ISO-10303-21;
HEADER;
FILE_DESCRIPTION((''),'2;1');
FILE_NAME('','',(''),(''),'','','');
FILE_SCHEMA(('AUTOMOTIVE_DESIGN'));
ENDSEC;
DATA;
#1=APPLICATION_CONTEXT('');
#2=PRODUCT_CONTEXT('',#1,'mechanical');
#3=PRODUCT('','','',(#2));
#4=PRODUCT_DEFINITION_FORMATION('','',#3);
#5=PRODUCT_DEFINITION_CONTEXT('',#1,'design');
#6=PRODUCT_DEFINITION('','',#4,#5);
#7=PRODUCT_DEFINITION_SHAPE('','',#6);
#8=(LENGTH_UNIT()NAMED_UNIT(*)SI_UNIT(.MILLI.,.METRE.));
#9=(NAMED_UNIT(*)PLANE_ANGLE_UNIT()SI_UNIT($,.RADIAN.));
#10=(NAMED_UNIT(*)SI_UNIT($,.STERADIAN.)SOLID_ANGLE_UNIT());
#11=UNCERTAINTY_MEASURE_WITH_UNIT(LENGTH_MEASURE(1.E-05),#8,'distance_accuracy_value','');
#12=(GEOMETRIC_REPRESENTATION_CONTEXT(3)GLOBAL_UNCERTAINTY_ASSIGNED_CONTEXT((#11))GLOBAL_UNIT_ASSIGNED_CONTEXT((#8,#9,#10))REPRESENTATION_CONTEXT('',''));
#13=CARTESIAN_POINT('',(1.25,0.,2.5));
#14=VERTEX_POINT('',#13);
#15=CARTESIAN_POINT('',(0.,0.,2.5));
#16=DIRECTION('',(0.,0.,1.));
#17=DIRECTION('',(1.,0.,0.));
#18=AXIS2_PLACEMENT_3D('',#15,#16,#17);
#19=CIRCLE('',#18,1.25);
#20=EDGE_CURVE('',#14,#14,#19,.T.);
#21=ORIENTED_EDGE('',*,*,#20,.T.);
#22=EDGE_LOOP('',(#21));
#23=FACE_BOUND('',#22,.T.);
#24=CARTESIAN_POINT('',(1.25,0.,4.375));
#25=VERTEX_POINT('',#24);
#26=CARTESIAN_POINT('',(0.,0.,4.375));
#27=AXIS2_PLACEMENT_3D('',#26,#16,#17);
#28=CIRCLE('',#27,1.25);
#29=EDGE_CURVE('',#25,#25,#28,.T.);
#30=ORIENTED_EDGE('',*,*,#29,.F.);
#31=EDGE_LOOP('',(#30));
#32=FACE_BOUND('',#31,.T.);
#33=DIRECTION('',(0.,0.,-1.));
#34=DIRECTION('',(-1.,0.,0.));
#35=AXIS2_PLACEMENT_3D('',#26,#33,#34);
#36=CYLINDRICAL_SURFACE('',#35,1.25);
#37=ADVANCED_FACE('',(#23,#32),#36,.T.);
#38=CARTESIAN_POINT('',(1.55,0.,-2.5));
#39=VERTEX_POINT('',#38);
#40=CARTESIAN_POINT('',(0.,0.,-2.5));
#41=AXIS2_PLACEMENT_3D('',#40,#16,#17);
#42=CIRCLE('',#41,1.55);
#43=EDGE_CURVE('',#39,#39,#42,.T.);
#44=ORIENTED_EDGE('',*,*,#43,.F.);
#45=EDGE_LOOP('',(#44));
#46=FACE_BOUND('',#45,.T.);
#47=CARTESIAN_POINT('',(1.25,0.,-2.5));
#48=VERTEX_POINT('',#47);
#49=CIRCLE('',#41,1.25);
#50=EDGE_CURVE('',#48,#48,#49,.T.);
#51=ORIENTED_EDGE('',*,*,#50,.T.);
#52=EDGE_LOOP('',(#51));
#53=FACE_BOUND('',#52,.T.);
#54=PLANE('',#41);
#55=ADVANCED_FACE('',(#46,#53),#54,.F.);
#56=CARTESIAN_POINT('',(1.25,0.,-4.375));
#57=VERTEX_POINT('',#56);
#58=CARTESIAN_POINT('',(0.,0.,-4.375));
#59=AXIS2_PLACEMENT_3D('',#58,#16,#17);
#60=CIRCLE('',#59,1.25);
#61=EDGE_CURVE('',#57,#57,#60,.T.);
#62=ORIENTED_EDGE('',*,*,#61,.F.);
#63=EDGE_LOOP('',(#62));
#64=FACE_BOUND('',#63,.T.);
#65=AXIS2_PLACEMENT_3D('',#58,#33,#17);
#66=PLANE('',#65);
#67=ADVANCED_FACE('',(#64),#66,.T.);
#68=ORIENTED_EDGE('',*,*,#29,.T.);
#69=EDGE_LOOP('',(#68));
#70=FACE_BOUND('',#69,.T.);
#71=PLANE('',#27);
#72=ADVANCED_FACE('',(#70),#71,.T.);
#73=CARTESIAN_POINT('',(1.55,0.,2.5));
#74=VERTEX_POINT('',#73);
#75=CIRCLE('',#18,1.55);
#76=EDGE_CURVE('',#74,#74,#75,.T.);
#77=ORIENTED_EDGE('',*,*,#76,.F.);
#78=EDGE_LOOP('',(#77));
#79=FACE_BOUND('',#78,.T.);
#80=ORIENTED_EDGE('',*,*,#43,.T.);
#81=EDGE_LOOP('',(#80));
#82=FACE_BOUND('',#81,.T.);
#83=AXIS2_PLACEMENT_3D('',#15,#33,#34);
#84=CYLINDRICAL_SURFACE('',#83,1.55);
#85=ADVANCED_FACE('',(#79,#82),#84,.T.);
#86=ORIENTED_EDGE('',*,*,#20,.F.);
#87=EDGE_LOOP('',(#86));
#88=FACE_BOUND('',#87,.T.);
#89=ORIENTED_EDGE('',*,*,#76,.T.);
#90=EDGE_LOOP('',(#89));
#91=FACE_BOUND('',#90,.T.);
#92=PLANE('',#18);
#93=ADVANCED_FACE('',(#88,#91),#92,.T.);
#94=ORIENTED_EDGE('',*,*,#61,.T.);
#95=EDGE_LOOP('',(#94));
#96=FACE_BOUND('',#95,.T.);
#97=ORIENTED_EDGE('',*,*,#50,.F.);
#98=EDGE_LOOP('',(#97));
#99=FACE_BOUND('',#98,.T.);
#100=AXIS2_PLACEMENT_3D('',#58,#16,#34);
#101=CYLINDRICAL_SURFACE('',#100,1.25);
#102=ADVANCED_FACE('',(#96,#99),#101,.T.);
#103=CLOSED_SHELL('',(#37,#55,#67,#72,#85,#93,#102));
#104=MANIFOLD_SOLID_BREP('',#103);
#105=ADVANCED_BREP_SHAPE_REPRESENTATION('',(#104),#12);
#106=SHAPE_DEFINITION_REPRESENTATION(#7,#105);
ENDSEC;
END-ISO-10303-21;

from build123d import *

# Parameters (mm, degrees)
SKETCH3_R           = 1.55
BOSS_EXTRUDE1_DEPTH = 2.5
SKETCH4_R           = 1.25
BOSS_EXTRUDE2_DEPTH = 1.875


with BuildPart() as part:
    # Sketch3 → Boss-Extrude1 (new body, symmetric)
    with BuildSketch(Plane.XY):
        Circle(SKETCH3_R)
    extrude(amount=BOSS_EXTRUDE1_DEPTH, both=True)

    # Sketch4 → Boss-Extrude2 (add)
    with BuildSketch(Plane.XY.offset(2.5)):
        Circle(SKETCH4_R)
    boss_extrude2 = extrude(amount=BOSS_EXTRUDE2_DEPTH)

    # Mirror1: Boss-Extrude2 across plane
    add(boss_extrude2.mirror(Plane.XY))


solid = part.part
